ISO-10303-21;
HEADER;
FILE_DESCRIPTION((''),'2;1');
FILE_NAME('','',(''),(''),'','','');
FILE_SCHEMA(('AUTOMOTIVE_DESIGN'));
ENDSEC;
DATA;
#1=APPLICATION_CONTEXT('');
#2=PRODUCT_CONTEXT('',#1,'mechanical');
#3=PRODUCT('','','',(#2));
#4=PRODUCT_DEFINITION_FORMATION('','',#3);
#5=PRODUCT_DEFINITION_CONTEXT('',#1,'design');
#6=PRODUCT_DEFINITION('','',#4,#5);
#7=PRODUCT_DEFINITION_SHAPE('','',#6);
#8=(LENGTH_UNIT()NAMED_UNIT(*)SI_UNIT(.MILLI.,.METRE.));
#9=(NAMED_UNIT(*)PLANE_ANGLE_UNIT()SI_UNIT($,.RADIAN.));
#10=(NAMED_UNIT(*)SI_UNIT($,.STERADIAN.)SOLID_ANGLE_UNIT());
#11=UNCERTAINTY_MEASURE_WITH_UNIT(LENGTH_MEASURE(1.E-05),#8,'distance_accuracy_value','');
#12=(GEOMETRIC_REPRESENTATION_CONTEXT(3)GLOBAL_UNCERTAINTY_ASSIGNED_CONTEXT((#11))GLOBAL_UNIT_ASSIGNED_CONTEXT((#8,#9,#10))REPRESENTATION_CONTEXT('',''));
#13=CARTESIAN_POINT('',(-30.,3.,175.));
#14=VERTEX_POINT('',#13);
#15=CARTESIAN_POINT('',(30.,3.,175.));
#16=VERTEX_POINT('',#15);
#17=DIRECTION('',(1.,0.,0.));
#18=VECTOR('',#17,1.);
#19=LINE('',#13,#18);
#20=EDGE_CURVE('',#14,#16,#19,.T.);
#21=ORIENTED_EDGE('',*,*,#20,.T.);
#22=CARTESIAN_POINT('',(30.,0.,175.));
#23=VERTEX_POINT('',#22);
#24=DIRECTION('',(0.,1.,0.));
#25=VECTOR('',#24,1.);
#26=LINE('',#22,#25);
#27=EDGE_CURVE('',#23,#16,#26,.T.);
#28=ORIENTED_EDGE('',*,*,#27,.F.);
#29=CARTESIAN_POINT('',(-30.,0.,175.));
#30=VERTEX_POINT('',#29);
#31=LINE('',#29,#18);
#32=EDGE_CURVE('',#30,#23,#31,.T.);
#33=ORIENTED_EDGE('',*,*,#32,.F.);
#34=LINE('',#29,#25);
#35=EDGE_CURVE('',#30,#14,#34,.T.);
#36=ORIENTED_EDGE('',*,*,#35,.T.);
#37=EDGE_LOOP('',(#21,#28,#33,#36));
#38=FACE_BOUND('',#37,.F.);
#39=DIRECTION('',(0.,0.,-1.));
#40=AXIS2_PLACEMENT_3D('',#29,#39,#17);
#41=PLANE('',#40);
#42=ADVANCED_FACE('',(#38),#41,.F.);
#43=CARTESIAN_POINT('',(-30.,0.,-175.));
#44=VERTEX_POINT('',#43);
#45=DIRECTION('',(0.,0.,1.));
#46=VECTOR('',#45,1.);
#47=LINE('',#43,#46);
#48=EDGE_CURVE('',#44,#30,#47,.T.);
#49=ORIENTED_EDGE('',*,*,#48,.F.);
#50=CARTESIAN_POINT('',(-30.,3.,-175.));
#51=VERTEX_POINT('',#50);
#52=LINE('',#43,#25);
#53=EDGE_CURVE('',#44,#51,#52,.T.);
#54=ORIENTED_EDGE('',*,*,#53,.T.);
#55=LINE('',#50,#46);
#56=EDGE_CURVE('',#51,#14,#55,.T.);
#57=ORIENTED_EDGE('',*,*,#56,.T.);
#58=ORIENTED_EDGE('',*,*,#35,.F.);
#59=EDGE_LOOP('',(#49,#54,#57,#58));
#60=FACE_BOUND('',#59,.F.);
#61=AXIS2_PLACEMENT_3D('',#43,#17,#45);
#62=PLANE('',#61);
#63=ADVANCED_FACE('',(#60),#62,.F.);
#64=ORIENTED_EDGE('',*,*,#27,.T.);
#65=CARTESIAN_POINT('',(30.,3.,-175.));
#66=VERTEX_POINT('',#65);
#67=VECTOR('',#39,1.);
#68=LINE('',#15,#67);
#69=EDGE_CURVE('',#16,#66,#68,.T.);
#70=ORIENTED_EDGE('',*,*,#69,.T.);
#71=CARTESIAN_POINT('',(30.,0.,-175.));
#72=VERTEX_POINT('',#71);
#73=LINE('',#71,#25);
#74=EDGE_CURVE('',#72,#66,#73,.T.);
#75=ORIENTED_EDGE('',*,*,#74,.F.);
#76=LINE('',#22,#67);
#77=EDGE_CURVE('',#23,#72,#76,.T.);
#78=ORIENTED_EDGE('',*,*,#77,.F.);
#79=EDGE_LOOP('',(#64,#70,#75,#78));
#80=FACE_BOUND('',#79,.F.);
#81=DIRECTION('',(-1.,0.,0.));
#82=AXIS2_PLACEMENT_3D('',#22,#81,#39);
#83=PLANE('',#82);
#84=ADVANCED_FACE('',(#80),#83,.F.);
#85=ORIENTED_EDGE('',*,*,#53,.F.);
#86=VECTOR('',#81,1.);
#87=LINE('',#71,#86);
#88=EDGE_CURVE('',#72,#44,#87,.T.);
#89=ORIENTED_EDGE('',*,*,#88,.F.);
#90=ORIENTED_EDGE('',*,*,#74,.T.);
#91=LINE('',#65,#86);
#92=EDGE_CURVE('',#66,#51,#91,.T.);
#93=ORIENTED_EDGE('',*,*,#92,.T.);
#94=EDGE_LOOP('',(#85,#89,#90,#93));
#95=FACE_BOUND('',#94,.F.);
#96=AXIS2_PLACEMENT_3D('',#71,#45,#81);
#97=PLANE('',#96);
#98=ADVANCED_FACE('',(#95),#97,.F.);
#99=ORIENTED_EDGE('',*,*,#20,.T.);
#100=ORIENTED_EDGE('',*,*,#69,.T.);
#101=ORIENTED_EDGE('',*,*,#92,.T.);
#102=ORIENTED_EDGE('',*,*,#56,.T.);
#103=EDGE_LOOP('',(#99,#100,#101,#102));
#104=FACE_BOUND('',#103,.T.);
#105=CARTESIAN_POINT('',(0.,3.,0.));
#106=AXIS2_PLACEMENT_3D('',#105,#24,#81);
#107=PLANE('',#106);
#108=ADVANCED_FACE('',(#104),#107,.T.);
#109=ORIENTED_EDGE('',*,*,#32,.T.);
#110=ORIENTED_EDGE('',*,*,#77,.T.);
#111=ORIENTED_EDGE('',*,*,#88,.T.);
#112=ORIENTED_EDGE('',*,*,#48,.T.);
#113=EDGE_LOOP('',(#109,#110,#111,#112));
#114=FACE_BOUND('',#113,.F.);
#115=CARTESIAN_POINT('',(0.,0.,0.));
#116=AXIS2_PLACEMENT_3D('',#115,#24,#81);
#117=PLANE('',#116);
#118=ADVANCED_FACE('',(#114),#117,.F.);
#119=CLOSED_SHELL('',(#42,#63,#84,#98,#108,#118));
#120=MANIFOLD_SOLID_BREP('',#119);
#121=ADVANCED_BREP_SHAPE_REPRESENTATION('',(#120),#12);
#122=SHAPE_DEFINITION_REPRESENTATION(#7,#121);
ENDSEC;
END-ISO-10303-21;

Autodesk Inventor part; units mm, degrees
ref_plane "YZ Plane" through (0, 0, 0) normal (1, 0, 0) x (0, 1, 0)
ref_plane "XZ Plane" through (0, 0, 0) normal (0, 1, 0) x (-1, 0, 0)
ref_plane "XY Plane" through (0, 0, 0) normal (0, 0, 1) x (1, 0, 0)
sketch "Sketch1" plane through (0, 0, 0) normal (0, 1, 0) x (-1, 0, 0)
  line L0 (30, 175) -> (-30, 175)
  line L1 (-30, 175) -> (-30, -175)
  line L2 (-30, -175) -> (30, -175)
  line L3 (30, -175) -> (30, 175)
  line L4 (30, 175) -> (-30, -175) construction
  line L5 (-30, 175) -> (30, -175) construction
  point P0 (0, 0)
  dimension "d0" = 60
  dimension "d1" = 350
extrude "Extrusion1" add sketch "Sketch1" along normal blind 3
properties part number "bodybase"
